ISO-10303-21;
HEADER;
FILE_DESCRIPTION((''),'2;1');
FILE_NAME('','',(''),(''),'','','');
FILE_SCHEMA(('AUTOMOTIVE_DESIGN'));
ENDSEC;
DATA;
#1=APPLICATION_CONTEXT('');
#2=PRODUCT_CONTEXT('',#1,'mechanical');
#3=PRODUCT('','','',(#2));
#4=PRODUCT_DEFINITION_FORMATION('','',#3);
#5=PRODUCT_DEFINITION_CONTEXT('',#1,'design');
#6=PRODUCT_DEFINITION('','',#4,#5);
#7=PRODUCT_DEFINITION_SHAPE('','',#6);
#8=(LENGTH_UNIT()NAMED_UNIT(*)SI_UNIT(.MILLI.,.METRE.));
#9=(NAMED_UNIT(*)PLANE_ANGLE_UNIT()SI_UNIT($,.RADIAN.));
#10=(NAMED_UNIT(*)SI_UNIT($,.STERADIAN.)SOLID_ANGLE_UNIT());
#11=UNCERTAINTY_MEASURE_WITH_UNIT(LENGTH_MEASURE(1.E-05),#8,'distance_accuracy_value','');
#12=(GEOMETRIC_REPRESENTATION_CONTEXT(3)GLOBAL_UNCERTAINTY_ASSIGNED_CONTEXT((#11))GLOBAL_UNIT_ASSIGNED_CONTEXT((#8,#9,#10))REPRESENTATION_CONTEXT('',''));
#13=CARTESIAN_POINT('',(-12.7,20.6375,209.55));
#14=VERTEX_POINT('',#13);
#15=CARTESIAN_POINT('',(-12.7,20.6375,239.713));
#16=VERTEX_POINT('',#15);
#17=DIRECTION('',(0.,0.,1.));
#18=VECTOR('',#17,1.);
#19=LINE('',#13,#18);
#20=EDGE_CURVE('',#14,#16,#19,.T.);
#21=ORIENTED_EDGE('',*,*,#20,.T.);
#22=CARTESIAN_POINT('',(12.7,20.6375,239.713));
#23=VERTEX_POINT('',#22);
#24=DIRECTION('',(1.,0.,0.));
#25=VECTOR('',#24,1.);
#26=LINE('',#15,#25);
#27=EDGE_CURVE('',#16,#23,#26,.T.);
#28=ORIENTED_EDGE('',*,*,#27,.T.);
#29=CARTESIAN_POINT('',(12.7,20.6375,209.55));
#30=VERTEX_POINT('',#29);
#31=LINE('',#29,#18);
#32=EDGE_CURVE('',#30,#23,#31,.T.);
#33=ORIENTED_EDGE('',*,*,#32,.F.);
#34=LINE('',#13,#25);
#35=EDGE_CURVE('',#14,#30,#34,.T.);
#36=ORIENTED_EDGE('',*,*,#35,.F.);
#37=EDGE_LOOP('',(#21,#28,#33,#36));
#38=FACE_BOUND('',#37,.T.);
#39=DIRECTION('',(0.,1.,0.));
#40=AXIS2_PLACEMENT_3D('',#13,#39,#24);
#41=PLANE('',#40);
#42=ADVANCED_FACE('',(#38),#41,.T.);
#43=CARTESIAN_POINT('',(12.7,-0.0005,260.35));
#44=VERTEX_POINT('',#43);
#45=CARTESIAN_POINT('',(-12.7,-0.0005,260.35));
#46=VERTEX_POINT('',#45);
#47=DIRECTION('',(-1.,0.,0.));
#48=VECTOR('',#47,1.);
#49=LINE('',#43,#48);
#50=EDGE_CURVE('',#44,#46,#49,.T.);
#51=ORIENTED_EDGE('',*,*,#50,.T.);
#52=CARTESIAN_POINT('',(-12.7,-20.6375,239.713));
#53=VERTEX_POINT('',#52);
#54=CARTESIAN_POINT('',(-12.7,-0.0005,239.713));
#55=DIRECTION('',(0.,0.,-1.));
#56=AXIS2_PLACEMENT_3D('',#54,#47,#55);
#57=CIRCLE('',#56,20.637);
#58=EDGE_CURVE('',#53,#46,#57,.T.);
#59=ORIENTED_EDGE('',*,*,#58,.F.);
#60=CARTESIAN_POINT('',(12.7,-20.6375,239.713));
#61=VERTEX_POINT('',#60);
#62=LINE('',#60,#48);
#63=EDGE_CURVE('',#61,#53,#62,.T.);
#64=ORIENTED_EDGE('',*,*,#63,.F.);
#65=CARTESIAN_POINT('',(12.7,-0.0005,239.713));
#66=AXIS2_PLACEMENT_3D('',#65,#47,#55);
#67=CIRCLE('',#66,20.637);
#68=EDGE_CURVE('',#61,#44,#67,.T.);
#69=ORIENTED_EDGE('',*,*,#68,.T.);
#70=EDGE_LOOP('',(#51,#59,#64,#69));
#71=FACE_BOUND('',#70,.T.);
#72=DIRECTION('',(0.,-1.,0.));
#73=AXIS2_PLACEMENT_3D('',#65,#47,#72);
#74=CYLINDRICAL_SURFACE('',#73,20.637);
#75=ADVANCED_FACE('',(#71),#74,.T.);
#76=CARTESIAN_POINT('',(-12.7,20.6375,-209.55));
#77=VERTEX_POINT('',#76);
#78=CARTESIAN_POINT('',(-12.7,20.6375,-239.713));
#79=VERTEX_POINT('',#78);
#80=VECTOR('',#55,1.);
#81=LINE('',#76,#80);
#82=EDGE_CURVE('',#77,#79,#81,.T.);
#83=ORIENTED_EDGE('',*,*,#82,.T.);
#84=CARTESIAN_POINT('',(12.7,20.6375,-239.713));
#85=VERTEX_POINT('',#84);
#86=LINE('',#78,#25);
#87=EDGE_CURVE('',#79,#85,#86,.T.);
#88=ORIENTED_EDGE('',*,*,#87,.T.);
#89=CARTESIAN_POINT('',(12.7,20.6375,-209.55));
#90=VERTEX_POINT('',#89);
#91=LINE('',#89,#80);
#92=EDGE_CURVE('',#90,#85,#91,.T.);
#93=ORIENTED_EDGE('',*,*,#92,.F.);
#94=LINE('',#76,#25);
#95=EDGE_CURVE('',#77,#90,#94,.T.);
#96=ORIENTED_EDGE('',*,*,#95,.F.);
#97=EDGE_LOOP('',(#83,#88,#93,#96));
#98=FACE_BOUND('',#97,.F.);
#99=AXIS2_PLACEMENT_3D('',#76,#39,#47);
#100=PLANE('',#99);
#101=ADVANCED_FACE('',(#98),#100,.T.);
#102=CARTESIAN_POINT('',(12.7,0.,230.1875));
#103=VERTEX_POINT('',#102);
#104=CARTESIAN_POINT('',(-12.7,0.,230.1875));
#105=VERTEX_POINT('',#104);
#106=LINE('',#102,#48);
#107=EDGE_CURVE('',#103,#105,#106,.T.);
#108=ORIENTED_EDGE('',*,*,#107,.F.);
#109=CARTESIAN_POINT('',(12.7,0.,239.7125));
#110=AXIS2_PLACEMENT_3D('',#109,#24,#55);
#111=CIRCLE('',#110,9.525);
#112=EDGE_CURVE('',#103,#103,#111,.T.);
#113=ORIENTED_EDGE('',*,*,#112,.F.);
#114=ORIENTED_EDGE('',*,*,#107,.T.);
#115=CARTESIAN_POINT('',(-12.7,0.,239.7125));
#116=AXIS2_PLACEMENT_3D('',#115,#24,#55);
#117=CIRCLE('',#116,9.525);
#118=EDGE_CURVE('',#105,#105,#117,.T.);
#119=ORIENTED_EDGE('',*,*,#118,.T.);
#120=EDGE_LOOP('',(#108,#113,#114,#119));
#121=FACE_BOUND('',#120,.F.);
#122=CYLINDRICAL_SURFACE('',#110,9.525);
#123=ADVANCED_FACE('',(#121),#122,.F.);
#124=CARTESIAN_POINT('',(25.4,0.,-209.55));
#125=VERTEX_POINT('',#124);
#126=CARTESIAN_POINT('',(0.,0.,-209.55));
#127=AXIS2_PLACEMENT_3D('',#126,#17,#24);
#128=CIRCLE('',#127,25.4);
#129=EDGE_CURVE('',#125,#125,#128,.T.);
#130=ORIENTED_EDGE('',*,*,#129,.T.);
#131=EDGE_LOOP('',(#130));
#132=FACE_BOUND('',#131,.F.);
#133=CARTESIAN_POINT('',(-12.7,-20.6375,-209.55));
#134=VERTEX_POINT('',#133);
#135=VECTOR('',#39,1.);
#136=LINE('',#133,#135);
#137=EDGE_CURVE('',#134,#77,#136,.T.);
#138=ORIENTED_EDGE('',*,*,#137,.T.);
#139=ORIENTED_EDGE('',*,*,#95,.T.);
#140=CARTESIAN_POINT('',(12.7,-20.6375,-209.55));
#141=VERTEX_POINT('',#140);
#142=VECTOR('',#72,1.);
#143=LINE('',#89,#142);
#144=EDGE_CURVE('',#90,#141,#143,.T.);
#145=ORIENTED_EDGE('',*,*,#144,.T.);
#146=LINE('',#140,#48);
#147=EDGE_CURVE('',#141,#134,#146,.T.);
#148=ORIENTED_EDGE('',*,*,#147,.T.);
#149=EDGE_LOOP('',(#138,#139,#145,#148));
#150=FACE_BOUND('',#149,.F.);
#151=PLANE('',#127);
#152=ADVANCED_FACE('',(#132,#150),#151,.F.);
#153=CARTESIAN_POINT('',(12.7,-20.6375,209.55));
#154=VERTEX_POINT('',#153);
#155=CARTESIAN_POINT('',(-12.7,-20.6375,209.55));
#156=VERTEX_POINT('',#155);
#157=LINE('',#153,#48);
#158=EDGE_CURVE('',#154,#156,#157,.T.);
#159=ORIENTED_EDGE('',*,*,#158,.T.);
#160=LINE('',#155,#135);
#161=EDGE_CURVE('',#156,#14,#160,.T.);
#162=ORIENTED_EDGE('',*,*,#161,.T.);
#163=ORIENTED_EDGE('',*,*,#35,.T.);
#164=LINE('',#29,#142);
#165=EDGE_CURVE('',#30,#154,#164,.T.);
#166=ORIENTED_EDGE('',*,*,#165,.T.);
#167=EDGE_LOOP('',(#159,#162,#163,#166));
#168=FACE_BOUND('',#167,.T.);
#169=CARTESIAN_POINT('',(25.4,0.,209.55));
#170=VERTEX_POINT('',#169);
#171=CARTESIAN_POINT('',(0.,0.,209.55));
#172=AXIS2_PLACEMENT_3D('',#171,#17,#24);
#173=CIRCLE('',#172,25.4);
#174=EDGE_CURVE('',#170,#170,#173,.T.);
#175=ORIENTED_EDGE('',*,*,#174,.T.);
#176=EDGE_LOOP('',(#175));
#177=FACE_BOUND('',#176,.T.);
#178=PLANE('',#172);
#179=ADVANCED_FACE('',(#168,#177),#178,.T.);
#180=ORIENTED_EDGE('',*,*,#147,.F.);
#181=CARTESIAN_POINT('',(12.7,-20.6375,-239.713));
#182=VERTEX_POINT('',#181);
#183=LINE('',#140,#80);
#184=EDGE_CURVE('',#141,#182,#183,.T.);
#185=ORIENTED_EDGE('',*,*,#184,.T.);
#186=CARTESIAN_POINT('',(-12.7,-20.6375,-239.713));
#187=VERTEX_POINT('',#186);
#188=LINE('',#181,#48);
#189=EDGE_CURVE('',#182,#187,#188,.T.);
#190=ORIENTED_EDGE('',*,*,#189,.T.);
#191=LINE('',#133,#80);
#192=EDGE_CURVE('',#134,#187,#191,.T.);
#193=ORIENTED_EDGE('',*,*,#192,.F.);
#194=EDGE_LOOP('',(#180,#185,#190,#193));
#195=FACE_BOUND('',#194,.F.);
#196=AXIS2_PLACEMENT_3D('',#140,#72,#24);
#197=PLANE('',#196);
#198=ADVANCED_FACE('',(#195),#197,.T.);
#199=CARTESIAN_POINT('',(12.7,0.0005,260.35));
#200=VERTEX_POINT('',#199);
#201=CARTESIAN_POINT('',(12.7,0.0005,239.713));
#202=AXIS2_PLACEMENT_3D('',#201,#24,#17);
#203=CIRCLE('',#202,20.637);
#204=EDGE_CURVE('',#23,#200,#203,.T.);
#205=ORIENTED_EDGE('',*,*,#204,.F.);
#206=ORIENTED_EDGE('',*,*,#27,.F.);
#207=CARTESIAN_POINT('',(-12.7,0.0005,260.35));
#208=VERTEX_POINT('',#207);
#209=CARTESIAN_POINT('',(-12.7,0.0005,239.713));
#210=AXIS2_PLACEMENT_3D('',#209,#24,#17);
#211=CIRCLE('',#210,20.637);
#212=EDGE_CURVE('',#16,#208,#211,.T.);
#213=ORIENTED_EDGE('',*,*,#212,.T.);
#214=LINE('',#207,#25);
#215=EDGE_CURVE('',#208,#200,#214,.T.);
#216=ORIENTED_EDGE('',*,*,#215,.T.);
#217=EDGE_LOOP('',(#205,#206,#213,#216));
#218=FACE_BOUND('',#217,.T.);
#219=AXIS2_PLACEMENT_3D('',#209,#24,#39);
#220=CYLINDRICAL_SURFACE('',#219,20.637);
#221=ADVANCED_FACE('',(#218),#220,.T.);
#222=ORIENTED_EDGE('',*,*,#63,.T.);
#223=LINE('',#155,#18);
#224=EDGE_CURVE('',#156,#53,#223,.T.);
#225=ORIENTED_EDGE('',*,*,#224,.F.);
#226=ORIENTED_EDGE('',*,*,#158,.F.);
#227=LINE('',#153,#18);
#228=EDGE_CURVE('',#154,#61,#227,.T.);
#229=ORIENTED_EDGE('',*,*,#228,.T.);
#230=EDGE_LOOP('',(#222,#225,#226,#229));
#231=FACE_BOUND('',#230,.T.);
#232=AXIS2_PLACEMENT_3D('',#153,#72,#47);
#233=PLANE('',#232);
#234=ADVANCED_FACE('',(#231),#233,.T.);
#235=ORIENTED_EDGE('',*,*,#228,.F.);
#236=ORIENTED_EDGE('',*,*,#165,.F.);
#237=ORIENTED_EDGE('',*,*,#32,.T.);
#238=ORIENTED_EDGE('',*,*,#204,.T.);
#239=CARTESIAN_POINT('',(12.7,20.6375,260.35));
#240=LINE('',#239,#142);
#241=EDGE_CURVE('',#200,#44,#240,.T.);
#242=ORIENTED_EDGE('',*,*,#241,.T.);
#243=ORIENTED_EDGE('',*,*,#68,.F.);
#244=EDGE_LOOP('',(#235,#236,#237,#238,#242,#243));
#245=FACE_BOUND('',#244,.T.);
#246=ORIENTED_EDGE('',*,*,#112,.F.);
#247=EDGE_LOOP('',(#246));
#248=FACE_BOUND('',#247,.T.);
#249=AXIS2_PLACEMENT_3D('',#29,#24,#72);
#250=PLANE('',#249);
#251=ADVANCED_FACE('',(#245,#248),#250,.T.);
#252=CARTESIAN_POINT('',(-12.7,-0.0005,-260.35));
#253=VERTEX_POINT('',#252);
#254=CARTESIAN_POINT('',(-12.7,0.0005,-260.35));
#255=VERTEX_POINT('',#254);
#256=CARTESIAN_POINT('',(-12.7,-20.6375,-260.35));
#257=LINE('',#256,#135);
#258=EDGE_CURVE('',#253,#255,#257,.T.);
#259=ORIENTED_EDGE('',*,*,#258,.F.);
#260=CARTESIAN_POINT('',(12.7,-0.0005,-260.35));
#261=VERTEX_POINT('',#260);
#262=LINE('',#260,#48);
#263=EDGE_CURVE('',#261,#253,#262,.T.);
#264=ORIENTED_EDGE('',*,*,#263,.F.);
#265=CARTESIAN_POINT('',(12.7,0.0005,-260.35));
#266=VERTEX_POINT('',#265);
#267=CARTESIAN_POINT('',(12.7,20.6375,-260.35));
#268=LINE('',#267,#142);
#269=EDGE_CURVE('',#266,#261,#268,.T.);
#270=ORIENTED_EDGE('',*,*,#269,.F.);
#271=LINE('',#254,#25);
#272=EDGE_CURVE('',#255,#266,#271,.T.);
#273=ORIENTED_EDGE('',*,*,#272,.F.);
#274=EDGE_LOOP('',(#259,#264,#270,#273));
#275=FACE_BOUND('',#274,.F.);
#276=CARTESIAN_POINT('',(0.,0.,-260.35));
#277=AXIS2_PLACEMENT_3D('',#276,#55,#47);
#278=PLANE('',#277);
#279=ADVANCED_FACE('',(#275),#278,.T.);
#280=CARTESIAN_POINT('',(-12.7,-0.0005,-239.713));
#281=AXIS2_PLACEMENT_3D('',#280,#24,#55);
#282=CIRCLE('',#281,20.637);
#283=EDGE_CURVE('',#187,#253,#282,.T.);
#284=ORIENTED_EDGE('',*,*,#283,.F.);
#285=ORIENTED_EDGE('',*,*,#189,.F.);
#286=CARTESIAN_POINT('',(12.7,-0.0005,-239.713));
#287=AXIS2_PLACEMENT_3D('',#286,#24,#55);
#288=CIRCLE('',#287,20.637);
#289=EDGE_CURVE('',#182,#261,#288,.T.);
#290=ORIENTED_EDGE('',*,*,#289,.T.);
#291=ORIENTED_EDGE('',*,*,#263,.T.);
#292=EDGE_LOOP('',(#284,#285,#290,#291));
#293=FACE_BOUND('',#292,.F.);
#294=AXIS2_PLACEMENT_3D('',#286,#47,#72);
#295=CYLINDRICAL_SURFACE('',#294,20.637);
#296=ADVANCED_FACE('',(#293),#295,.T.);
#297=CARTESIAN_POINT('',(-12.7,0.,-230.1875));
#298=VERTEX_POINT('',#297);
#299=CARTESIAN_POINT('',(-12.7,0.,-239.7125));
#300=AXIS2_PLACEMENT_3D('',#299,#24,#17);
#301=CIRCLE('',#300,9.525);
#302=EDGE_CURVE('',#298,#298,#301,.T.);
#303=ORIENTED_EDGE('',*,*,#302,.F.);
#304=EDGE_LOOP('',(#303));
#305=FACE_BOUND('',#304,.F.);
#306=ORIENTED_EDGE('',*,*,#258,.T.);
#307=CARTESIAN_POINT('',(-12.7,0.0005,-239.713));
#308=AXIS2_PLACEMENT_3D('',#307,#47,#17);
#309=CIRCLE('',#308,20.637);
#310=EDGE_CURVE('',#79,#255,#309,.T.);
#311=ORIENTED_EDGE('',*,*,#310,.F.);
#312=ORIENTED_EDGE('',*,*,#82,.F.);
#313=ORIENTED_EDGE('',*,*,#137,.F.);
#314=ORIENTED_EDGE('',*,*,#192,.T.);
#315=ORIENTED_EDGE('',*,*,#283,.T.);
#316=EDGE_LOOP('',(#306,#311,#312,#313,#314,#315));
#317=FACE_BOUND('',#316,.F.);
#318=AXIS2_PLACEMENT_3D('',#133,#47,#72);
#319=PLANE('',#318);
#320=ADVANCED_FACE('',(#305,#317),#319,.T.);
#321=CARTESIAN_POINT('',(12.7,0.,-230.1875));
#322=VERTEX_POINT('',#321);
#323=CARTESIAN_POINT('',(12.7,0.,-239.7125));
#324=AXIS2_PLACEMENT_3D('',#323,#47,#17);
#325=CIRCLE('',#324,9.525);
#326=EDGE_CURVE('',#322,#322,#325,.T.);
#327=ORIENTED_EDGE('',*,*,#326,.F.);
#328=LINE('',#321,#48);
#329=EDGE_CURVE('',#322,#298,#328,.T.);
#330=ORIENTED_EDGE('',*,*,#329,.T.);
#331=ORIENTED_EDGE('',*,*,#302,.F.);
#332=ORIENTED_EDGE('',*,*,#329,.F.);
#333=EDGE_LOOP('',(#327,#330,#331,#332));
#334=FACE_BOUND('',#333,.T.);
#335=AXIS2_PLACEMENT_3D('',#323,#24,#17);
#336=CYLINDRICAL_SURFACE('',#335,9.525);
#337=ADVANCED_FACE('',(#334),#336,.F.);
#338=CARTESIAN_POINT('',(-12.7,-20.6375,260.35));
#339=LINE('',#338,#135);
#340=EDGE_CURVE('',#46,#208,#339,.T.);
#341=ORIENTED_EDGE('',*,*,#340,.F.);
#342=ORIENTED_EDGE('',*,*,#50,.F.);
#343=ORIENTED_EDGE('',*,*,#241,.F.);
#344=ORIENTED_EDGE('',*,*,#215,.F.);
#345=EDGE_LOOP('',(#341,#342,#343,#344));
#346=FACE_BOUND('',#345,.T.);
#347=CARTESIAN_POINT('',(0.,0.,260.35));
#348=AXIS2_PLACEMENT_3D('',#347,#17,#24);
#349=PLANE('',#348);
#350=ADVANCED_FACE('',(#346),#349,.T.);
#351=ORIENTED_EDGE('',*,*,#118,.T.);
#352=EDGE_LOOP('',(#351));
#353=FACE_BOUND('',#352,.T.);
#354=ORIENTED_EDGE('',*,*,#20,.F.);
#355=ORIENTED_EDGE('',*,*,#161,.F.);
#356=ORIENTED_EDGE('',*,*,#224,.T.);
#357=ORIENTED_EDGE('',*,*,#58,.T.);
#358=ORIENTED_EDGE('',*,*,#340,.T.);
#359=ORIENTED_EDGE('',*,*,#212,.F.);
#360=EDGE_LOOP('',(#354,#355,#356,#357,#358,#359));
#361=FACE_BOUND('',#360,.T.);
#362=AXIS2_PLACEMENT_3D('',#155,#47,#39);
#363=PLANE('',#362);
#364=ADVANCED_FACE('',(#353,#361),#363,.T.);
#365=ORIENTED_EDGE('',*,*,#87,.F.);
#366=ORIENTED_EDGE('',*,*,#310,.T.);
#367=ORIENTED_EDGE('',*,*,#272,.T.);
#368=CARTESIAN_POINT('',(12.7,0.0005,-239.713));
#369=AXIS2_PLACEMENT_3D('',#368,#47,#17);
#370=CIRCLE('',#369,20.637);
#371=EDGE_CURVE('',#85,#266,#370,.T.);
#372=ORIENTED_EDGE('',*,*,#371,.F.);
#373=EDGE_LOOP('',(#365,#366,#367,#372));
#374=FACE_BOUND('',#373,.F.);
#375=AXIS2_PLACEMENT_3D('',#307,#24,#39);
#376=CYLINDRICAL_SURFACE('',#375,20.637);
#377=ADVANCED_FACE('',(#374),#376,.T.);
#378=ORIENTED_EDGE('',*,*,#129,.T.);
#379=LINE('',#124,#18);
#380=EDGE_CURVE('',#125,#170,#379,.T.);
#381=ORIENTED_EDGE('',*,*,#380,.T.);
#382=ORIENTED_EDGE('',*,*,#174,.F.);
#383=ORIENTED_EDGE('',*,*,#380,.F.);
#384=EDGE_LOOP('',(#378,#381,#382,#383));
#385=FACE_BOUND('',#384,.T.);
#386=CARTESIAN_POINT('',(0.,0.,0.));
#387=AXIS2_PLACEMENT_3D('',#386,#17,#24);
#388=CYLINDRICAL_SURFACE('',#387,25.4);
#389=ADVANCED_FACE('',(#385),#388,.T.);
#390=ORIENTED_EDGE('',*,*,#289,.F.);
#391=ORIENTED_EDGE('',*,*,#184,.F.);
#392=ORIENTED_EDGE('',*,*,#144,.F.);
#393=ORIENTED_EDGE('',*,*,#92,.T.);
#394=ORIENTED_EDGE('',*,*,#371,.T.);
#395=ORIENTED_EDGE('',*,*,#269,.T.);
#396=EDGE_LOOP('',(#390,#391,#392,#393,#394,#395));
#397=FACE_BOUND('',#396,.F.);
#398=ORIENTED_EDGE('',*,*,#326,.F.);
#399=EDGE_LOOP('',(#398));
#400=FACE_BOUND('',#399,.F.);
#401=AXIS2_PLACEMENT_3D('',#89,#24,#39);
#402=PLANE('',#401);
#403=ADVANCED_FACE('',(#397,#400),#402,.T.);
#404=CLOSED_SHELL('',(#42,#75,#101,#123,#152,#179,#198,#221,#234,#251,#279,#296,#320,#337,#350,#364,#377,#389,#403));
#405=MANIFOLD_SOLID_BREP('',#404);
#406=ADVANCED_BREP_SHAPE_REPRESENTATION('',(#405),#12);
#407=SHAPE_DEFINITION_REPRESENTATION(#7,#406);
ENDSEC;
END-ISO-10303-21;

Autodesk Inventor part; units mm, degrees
ref_plane "YZ Plane" through (0, 0, 0) normal (1, 0, 0) x (0, 1, 0)
ref_plane "XZ Plane" through (0, 0, 0) normal (0, 1, 0) x (-1, 0, 0)
ref_plane "XY Plane" through (0, 0, 0) normal (0, 0, 1) x (1, 0, 0)
sketch "Sketch1" plane through (0, 0, 0) normal (0, 0, 1) x (1, 0, 0)
  circle A0 centre (0, 0) radius 25.4
  dimension "d0" = 50.8
extrude "Extrusion1" add sketch "Sketch1" along normal mid plane 419.1
sketch "Sketch4" plane through (0, 0, 209.55) normal (0, 0, 1) x (1, 0, 0)
  line L0 (-12.7, 20.6375) -> (12.7, 20.6375)
  line L1 (12.7, 20.6375) -> (12.7, -20.6375)
  line L2 (12.7, -20.6375) -> (-12.7, -20.6375)
  line L3 (-12.7, -20.6375) -> (-12.7, 20.6375)
  line L4 (-12.7, 20.6375) -> (12.7, -20.6375) construction
  line L5 (12.7, 20.6375) -> (-12.7, -20.6375) construction
  point P0 (0, 0)
  dimension "d15" = 25.4
  dimension "d16" = 41.275
extrude "Extrusion4" add sketch "Sketch4" along normal blind 50.8
fillet "Fillet2" radius 20.6375 2 edges at (0, 20.6375, 260.35) (0, -20.6375, 260.35)
sketch "Sketch5" plane through (12.7, -20.6375, 209.55) normal (1, 0, 0) x (0, 0, -1)
  arc A0 (-30.1625, 41.275) -> (-30.1625, 0) centre (-30.1625, 20.6375) ccw projected
  circle A1 centre (-30.1625, 20.6375) radius 9.525
  point P0 (209.55, 20.6375)
extrude "Extrusion5" cut sketch "Sketch5" against normal blind 50.8
mirror "Mirror1" about plane through (0, 0, 0) normal (0, 0, 1) of "Extrusion4", "Fillet2", "Extrusion5"
properties part number "body to wheel hub connectors (22 in)"
